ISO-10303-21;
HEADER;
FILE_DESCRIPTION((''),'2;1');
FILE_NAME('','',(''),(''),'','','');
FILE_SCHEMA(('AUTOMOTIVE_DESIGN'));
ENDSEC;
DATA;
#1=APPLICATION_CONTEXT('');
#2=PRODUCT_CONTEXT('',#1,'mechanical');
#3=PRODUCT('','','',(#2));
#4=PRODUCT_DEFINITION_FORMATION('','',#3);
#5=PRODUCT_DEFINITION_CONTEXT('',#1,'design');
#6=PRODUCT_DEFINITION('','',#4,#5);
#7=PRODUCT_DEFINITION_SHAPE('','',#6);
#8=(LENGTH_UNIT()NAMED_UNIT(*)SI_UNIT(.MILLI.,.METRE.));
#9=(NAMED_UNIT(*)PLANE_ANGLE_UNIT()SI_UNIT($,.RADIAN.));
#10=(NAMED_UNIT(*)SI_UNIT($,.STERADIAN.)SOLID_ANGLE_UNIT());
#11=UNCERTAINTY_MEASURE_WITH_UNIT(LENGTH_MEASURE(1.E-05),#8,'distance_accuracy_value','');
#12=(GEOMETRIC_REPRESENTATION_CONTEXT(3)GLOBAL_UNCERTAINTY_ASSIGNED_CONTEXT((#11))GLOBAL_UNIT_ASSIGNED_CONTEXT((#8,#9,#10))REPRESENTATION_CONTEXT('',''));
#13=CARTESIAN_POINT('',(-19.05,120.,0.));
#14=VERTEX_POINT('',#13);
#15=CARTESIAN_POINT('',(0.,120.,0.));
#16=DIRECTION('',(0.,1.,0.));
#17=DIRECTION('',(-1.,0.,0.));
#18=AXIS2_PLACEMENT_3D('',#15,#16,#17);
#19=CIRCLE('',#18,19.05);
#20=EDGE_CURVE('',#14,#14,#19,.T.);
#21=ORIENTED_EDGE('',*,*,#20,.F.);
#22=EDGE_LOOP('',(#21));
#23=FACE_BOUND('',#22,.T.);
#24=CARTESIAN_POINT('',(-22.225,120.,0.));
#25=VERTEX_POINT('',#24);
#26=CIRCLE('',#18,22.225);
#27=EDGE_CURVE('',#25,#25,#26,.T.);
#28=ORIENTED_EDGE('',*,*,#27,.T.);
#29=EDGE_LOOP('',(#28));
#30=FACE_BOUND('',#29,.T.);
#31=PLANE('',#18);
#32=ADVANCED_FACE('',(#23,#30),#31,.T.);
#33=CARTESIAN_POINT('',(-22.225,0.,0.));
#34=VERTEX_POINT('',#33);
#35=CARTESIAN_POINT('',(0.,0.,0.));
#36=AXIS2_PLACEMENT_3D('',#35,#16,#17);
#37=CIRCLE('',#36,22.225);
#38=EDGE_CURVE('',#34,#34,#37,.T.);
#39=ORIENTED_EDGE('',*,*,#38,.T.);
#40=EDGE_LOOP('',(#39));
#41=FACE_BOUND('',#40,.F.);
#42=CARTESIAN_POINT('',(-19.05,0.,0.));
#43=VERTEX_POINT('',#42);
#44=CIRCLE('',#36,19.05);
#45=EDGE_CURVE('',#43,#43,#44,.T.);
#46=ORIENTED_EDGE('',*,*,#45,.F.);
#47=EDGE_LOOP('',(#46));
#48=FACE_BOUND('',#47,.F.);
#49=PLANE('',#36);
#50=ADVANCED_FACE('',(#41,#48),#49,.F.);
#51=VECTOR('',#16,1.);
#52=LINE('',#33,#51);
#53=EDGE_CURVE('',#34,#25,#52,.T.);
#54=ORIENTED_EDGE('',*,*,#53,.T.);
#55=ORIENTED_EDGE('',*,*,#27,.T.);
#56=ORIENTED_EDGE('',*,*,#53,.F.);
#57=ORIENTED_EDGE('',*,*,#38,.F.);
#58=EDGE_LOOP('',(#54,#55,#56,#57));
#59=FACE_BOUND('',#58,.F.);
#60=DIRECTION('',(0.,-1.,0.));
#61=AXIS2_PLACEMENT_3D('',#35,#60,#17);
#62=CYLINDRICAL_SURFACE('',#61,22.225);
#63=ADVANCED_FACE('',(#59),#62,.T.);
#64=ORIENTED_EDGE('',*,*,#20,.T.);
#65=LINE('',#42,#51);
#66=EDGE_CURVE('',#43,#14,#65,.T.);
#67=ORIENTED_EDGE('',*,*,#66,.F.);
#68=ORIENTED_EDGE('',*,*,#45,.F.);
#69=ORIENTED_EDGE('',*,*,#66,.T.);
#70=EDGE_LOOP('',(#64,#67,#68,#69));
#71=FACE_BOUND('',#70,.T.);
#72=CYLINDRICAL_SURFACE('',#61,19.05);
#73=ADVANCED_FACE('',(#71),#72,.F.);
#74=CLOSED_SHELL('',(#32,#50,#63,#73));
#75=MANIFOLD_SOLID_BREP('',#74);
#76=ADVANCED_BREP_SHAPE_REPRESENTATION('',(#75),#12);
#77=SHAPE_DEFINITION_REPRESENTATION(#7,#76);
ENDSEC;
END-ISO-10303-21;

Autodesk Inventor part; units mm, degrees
ref_plane "YZ Plane" through (0, 0, 0) normal (1, 0, 0) x (0, 1, 0)
ref_plane "XZ Plane" through (0, 0, 0) normal (0, 1, 0) x (-1, 0, 0)
ref_plane "XY Plane" through (0, 0, 0) normal (0, 0, 1) x (1, 0, 0)
sketch "Sketch1" plane through (0, 0, 0) normal (0, 1, 0) x (-1, 0, 0)
  circle A0 centre (0, 0) radius 22.225
  circle A1 centre (0, 0) radius 19.05
  dimension "d0" = 44.45
  dimension "d1" = 3.175
extrude "Extrusion1" add sketch "Sketch1" along normal blind 120
properties part number "TuboSoporte"
